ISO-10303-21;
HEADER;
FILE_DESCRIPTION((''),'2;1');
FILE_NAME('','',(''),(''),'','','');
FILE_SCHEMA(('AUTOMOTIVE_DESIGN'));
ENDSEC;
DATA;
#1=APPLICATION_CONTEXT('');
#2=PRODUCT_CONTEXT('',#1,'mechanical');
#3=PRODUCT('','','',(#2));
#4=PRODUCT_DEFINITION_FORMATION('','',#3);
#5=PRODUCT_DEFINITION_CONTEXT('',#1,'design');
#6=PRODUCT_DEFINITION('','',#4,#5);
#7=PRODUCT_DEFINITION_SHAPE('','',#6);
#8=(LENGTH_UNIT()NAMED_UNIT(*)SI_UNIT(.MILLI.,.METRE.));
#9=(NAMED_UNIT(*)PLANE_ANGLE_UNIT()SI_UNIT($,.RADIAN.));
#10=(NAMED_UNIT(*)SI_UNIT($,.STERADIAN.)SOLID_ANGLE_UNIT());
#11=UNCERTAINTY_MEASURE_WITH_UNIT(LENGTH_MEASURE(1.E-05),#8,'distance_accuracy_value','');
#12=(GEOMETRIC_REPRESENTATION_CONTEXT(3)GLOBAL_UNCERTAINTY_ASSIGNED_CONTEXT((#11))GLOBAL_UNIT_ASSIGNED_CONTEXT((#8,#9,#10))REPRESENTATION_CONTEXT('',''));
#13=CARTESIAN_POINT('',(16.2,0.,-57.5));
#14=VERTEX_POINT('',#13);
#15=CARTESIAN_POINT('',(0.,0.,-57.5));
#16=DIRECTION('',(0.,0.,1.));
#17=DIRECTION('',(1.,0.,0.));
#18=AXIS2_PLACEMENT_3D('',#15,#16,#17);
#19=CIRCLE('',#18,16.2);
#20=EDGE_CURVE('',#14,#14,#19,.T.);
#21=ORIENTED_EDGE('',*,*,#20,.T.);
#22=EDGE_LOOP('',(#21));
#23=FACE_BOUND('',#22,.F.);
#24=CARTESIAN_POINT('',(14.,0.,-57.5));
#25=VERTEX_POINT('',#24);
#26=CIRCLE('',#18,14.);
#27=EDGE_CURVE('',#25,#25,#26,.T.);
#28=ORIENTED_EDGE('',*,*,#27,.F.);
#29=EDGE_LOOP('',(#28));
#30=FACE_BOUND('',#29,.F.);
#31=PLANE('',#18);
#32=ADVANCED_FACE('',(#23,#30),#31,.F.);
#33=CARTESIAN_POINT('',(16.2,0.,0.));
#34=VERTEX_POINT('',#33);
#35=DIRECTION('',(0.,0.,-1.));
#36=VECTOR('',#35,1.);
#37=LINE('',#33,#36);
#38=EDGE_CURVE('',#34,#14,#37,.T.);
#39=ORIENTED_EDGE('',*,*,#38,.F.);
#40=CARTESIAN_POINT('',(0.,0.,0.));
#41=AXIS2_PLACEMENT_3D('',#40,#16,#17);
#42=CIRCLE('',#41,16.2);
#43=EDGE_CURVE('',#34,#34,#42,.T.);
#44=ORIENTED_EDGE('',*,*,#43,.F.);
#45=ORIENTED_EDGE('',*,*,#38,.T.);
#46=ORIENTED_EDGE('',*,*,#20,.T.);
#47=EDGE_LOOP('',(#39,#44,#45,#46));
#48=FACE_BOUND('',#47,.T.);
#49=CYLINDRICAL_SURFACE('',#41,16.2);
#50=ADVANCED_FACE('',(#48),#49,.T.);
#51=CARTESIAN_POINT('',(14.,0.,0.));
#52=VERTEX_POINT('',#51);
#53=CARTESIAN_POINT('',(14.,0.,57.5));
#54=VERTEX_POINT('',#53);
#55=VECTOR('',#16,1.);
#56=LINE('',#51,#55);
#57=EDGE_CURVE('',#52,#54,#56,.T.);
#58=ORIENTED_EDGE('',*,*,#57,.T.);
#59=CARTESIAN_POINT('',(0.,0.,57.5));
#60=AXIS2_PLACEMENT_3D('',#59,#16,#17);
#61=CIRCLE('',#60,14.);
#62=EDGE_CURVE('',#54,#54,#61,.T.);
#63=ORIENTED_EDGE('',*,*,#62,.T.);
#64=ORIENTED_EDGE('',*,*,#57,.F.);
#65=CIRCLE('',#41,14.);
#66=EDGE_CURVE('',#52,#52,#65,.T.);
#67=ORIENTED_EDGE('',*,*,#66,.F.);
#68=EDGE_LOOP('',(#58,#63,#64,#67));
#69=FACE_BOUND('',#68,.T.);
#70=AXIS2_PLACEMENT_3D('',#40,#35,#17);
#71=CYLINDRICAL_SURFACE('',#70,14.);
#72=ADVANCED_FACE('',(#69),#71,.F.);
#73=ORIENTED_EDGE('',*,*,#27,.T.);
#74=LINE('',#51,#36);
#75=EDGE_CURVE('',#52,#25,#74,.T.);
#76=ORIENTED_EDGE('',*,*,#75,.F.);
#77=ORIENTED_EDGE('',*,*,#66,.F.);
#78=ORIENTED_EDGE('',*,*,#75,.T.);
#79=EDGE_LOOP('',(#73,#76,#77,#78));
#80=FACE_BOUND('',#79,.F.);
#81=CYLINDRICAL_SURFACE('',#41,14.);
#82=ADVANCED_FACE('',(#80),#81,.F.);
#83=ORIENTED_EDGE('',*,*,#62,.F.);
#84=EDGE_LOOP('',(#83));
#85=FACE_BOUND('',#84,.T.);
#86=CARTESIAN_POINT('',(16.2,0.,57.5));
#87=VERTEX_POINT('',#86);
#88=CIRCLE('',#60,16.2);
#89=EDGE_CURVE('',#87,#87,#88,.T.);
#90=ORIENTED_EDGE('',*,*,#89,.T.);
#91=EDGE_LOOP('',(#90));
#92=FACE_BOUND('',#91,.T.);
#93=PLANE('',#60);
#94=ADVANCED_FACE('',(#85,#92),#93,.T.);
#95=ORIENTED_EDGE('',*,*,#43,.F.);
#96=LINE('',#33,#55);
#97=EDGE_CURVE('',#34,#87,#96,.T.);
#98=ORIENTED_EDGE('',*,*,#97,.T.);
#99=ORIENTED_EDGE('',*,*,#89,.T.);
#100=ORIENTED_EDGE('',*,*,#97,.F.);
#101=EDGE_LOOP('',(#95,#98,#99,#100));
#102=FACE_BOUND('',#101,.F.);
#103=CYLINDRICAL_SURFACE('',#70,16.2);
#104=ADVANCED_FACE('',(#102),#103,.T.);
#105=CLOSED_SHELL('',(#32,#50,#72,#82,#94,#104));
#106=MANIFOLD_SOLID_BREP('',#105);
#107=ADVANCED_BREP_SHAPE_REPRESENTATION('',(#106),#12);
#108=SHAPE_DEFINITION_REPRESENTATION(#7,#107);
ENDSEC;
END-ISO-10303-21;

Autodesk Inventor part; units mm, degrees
ref_plane "YZ Plane" through (0, 0, 0) normal (1, 0, 0) x (0, 1, 0)
ref_plane "XZ Plane" through (0, 0, 0) normal (0, 1, 0) x (-1, 0, 0)
ref_plane "XY Plane" through (0, 0, 0) normal (0, 0, 1) x (1, 0, 0)
sketch "Sketch1" plane through (0, 0, 0) normal (0, 0, 1) x (1, 0, 0)
  circle A0 centre (0, 0) radius 14
  circle A1 centre (0, 0) radius 16.2
  dimension "d0" = 28
  dimension "OD" = 32.4
extrude "Extrusion1" add sketch "Sketch1" along normal mid plane 115
properties part number "OR0G18180" material "Steel AISI 4130"
